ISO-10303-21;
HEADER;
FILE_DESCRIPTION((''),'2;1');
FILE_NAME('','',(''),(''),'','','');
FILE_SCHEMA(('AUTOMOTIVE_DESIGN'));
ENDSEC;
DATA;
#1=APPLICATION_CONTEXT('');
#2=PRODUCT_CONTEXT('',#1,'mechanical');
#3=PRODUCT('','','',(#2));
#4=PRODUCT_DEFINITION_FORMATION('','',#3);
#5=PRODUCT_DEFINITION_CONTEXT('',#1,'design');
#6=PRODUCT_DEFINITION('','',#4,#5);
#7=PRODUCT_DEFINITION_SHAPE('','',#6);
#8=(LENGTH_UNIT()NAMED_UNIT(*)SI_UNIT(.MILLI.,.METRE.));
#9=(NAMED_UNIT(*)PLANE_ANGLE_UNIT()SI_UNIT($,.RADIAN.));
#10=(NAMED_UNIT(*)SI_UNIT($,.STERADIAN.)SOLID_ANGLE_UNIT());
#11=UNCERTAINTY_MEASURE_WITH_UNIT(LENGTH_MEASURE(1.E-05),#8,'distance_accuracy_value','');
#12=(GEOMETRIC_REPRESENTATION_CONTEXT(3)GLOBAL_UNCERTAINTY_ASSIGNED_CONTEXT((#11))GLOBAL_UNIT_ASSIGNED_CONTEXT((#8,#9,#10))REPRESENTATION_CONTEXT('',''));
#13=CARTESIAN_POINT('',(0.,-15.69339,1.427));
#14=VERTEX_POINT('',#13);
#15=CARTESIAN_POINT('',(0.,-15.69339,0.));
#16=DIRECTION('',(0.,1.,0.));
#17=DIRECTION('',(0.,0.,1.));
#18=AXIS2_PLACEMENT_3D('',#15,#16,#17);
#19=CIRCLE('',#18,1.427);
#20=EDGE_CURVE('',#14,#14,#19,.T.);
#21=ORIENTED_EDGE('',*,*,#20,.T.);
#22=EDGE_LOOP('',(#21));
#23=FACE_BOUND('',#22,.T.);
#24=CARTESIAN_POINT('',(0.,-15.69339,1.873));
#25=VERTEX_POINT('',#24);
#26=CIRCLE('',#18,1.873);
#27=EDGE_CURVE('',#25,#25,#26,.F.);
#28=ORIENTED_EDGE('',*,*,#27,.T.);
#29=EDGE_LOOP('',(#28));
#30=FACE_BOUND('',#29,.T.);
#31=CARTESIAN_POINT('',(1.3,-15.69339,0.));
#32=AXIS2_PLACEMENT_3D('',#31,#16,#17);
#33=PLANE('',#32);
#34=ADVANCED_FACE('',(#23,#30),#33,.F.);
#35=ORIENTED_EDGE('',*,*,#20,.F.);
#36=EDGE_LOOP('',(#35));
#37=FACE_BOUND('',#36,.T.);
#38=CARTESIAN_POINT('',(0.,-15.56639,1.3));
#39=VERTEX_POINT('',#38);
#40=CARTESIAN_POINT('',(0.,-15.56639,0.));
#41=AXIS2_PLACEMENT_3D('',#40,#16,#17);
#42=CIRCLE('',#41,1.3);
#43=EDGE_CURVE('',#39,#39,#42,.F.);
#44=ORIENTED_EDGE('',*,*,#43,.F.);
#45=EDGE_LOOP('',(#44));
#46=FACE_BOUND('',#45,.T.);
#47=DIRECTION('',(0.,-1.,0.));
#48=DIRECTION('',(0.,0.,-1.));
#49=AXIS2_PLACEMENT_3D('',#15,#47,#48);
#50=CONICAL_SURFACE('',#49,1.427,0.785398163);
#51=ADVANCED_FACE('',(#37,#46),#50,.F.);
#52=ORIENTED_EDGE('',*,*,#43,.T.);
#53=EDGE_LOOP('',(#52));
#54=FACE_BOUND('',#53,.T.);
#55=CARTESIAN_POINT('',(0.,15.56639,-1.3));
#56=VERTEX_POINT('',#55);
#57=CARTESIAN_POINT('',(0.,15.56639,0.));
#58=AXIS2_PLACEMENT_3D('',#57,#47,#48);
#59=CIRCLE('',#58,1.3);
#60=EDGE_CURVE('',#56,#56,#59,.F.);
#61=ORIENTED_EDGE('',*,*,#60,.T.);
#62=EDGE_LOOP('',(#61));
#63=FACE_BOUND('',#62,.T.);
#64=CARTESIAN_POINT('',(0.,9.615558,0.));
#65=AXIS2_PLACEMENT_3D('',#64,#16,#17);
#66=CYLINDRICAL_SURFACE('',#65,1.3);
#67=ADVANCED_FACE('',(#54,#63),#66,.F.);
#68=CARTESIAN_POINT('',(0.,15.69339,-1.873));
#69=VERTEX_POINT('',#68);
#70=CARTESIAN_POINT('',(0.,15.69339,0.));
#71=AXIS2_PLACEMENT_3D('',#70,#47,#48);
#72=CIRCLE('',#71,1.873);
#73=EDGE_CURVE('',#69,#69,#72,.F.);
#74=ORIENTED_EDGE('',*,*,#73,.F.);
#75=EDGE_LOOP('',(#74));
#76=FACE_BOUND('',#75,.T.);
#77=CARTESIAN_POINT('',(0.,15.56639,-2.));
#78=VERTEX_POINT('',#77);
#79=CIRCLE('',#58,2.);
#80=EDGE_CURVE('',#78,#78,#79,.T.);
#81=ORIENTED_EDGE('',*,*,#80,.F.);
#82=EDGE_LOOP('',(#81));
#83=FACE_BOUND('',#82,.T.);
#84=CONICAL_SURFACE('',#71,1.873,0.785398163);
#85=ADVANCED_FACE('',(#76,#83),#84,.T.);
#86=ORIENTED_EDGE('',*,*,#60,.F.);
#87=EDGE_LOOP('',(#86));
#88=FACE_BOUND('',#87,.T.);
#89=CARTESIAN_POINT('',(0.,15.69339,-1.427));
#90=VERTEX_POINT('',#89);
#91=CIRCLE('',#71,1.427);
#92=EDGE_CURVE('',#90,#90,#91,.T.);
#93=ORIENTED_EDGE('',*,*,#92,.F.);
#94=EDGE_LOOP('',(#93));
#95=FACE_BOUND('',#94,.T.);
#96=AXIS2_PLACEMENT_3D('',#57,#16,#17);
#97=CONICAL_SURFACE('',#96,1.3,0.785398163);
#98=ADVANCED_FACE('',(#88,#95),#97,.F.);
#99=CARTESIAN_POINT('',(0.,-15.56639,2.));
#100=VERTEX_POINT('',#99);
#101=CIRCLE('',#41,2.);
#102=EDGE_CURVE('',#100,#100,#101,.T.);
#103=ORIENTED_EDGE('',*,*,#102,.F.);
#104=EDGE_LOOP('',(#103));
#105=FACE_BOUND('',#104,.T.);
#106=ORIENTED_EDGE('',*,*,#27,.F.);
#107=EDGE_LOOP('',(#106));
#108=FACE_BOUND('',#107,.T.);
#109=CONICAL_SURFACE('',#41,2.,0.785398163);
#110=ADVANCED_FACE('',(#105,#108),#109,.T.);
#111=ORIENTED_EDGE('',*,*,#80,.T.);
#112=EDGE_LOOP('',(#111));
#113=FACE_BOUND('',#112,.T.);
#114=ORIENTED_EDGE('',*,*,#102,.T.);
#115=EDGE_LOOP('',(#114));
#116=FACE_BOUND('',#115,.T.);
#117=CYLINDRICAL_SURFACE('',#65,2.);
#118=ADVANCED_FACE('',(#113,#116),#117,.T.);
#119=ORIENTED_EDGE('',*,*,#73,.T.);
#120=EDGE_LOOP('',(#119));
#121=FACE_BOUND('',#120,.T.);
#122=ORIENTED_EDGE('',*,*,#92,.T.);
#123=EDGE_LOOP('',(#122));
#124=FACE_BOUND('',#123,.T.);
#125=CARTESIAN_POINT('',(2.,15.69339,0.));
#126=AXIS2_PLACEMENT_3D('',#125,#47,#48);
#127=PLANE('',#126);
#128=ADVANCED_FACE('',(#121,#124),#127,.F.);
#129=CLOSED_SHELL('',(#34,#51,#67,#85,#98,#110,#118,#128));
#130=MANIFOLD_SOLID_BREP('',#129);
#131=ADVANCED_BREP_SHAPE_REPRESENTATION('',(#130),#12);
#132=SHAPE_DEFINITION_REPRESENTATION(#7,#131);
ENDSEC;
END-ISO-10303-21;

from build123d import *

# Parameters (mm, degrees)
SKETCH1_W     = 0.7
SKETCH1_H     = 31.38678
CHAMFER1_SIZE = 0.127


with BuildPart() as part:
    # Sketch1 → Revolve1 (revolve)
    with BuildSketch(Plane.XY):
        with Locations((1.65, 0)):
            Rectangle(SKETCH1_W, SKETCH1_H)
    revolve(axis=Axis((0, 9.615558323, 0), (0, -1, 0)))

    # Chamfer1
    chamfer1_edges = [part.edges().sort_by_distance(p)[0] for p in [
        (-1.3, 15.69339, 0),
        (-2, 15.69339, 0),
        (-2, -15.69339, 0),
        (-1.3, -15.69339, 0),
    ]]
    chamfer(chamfer1_edges, length=CHAMFER1_SIZE)


solid = part.part
